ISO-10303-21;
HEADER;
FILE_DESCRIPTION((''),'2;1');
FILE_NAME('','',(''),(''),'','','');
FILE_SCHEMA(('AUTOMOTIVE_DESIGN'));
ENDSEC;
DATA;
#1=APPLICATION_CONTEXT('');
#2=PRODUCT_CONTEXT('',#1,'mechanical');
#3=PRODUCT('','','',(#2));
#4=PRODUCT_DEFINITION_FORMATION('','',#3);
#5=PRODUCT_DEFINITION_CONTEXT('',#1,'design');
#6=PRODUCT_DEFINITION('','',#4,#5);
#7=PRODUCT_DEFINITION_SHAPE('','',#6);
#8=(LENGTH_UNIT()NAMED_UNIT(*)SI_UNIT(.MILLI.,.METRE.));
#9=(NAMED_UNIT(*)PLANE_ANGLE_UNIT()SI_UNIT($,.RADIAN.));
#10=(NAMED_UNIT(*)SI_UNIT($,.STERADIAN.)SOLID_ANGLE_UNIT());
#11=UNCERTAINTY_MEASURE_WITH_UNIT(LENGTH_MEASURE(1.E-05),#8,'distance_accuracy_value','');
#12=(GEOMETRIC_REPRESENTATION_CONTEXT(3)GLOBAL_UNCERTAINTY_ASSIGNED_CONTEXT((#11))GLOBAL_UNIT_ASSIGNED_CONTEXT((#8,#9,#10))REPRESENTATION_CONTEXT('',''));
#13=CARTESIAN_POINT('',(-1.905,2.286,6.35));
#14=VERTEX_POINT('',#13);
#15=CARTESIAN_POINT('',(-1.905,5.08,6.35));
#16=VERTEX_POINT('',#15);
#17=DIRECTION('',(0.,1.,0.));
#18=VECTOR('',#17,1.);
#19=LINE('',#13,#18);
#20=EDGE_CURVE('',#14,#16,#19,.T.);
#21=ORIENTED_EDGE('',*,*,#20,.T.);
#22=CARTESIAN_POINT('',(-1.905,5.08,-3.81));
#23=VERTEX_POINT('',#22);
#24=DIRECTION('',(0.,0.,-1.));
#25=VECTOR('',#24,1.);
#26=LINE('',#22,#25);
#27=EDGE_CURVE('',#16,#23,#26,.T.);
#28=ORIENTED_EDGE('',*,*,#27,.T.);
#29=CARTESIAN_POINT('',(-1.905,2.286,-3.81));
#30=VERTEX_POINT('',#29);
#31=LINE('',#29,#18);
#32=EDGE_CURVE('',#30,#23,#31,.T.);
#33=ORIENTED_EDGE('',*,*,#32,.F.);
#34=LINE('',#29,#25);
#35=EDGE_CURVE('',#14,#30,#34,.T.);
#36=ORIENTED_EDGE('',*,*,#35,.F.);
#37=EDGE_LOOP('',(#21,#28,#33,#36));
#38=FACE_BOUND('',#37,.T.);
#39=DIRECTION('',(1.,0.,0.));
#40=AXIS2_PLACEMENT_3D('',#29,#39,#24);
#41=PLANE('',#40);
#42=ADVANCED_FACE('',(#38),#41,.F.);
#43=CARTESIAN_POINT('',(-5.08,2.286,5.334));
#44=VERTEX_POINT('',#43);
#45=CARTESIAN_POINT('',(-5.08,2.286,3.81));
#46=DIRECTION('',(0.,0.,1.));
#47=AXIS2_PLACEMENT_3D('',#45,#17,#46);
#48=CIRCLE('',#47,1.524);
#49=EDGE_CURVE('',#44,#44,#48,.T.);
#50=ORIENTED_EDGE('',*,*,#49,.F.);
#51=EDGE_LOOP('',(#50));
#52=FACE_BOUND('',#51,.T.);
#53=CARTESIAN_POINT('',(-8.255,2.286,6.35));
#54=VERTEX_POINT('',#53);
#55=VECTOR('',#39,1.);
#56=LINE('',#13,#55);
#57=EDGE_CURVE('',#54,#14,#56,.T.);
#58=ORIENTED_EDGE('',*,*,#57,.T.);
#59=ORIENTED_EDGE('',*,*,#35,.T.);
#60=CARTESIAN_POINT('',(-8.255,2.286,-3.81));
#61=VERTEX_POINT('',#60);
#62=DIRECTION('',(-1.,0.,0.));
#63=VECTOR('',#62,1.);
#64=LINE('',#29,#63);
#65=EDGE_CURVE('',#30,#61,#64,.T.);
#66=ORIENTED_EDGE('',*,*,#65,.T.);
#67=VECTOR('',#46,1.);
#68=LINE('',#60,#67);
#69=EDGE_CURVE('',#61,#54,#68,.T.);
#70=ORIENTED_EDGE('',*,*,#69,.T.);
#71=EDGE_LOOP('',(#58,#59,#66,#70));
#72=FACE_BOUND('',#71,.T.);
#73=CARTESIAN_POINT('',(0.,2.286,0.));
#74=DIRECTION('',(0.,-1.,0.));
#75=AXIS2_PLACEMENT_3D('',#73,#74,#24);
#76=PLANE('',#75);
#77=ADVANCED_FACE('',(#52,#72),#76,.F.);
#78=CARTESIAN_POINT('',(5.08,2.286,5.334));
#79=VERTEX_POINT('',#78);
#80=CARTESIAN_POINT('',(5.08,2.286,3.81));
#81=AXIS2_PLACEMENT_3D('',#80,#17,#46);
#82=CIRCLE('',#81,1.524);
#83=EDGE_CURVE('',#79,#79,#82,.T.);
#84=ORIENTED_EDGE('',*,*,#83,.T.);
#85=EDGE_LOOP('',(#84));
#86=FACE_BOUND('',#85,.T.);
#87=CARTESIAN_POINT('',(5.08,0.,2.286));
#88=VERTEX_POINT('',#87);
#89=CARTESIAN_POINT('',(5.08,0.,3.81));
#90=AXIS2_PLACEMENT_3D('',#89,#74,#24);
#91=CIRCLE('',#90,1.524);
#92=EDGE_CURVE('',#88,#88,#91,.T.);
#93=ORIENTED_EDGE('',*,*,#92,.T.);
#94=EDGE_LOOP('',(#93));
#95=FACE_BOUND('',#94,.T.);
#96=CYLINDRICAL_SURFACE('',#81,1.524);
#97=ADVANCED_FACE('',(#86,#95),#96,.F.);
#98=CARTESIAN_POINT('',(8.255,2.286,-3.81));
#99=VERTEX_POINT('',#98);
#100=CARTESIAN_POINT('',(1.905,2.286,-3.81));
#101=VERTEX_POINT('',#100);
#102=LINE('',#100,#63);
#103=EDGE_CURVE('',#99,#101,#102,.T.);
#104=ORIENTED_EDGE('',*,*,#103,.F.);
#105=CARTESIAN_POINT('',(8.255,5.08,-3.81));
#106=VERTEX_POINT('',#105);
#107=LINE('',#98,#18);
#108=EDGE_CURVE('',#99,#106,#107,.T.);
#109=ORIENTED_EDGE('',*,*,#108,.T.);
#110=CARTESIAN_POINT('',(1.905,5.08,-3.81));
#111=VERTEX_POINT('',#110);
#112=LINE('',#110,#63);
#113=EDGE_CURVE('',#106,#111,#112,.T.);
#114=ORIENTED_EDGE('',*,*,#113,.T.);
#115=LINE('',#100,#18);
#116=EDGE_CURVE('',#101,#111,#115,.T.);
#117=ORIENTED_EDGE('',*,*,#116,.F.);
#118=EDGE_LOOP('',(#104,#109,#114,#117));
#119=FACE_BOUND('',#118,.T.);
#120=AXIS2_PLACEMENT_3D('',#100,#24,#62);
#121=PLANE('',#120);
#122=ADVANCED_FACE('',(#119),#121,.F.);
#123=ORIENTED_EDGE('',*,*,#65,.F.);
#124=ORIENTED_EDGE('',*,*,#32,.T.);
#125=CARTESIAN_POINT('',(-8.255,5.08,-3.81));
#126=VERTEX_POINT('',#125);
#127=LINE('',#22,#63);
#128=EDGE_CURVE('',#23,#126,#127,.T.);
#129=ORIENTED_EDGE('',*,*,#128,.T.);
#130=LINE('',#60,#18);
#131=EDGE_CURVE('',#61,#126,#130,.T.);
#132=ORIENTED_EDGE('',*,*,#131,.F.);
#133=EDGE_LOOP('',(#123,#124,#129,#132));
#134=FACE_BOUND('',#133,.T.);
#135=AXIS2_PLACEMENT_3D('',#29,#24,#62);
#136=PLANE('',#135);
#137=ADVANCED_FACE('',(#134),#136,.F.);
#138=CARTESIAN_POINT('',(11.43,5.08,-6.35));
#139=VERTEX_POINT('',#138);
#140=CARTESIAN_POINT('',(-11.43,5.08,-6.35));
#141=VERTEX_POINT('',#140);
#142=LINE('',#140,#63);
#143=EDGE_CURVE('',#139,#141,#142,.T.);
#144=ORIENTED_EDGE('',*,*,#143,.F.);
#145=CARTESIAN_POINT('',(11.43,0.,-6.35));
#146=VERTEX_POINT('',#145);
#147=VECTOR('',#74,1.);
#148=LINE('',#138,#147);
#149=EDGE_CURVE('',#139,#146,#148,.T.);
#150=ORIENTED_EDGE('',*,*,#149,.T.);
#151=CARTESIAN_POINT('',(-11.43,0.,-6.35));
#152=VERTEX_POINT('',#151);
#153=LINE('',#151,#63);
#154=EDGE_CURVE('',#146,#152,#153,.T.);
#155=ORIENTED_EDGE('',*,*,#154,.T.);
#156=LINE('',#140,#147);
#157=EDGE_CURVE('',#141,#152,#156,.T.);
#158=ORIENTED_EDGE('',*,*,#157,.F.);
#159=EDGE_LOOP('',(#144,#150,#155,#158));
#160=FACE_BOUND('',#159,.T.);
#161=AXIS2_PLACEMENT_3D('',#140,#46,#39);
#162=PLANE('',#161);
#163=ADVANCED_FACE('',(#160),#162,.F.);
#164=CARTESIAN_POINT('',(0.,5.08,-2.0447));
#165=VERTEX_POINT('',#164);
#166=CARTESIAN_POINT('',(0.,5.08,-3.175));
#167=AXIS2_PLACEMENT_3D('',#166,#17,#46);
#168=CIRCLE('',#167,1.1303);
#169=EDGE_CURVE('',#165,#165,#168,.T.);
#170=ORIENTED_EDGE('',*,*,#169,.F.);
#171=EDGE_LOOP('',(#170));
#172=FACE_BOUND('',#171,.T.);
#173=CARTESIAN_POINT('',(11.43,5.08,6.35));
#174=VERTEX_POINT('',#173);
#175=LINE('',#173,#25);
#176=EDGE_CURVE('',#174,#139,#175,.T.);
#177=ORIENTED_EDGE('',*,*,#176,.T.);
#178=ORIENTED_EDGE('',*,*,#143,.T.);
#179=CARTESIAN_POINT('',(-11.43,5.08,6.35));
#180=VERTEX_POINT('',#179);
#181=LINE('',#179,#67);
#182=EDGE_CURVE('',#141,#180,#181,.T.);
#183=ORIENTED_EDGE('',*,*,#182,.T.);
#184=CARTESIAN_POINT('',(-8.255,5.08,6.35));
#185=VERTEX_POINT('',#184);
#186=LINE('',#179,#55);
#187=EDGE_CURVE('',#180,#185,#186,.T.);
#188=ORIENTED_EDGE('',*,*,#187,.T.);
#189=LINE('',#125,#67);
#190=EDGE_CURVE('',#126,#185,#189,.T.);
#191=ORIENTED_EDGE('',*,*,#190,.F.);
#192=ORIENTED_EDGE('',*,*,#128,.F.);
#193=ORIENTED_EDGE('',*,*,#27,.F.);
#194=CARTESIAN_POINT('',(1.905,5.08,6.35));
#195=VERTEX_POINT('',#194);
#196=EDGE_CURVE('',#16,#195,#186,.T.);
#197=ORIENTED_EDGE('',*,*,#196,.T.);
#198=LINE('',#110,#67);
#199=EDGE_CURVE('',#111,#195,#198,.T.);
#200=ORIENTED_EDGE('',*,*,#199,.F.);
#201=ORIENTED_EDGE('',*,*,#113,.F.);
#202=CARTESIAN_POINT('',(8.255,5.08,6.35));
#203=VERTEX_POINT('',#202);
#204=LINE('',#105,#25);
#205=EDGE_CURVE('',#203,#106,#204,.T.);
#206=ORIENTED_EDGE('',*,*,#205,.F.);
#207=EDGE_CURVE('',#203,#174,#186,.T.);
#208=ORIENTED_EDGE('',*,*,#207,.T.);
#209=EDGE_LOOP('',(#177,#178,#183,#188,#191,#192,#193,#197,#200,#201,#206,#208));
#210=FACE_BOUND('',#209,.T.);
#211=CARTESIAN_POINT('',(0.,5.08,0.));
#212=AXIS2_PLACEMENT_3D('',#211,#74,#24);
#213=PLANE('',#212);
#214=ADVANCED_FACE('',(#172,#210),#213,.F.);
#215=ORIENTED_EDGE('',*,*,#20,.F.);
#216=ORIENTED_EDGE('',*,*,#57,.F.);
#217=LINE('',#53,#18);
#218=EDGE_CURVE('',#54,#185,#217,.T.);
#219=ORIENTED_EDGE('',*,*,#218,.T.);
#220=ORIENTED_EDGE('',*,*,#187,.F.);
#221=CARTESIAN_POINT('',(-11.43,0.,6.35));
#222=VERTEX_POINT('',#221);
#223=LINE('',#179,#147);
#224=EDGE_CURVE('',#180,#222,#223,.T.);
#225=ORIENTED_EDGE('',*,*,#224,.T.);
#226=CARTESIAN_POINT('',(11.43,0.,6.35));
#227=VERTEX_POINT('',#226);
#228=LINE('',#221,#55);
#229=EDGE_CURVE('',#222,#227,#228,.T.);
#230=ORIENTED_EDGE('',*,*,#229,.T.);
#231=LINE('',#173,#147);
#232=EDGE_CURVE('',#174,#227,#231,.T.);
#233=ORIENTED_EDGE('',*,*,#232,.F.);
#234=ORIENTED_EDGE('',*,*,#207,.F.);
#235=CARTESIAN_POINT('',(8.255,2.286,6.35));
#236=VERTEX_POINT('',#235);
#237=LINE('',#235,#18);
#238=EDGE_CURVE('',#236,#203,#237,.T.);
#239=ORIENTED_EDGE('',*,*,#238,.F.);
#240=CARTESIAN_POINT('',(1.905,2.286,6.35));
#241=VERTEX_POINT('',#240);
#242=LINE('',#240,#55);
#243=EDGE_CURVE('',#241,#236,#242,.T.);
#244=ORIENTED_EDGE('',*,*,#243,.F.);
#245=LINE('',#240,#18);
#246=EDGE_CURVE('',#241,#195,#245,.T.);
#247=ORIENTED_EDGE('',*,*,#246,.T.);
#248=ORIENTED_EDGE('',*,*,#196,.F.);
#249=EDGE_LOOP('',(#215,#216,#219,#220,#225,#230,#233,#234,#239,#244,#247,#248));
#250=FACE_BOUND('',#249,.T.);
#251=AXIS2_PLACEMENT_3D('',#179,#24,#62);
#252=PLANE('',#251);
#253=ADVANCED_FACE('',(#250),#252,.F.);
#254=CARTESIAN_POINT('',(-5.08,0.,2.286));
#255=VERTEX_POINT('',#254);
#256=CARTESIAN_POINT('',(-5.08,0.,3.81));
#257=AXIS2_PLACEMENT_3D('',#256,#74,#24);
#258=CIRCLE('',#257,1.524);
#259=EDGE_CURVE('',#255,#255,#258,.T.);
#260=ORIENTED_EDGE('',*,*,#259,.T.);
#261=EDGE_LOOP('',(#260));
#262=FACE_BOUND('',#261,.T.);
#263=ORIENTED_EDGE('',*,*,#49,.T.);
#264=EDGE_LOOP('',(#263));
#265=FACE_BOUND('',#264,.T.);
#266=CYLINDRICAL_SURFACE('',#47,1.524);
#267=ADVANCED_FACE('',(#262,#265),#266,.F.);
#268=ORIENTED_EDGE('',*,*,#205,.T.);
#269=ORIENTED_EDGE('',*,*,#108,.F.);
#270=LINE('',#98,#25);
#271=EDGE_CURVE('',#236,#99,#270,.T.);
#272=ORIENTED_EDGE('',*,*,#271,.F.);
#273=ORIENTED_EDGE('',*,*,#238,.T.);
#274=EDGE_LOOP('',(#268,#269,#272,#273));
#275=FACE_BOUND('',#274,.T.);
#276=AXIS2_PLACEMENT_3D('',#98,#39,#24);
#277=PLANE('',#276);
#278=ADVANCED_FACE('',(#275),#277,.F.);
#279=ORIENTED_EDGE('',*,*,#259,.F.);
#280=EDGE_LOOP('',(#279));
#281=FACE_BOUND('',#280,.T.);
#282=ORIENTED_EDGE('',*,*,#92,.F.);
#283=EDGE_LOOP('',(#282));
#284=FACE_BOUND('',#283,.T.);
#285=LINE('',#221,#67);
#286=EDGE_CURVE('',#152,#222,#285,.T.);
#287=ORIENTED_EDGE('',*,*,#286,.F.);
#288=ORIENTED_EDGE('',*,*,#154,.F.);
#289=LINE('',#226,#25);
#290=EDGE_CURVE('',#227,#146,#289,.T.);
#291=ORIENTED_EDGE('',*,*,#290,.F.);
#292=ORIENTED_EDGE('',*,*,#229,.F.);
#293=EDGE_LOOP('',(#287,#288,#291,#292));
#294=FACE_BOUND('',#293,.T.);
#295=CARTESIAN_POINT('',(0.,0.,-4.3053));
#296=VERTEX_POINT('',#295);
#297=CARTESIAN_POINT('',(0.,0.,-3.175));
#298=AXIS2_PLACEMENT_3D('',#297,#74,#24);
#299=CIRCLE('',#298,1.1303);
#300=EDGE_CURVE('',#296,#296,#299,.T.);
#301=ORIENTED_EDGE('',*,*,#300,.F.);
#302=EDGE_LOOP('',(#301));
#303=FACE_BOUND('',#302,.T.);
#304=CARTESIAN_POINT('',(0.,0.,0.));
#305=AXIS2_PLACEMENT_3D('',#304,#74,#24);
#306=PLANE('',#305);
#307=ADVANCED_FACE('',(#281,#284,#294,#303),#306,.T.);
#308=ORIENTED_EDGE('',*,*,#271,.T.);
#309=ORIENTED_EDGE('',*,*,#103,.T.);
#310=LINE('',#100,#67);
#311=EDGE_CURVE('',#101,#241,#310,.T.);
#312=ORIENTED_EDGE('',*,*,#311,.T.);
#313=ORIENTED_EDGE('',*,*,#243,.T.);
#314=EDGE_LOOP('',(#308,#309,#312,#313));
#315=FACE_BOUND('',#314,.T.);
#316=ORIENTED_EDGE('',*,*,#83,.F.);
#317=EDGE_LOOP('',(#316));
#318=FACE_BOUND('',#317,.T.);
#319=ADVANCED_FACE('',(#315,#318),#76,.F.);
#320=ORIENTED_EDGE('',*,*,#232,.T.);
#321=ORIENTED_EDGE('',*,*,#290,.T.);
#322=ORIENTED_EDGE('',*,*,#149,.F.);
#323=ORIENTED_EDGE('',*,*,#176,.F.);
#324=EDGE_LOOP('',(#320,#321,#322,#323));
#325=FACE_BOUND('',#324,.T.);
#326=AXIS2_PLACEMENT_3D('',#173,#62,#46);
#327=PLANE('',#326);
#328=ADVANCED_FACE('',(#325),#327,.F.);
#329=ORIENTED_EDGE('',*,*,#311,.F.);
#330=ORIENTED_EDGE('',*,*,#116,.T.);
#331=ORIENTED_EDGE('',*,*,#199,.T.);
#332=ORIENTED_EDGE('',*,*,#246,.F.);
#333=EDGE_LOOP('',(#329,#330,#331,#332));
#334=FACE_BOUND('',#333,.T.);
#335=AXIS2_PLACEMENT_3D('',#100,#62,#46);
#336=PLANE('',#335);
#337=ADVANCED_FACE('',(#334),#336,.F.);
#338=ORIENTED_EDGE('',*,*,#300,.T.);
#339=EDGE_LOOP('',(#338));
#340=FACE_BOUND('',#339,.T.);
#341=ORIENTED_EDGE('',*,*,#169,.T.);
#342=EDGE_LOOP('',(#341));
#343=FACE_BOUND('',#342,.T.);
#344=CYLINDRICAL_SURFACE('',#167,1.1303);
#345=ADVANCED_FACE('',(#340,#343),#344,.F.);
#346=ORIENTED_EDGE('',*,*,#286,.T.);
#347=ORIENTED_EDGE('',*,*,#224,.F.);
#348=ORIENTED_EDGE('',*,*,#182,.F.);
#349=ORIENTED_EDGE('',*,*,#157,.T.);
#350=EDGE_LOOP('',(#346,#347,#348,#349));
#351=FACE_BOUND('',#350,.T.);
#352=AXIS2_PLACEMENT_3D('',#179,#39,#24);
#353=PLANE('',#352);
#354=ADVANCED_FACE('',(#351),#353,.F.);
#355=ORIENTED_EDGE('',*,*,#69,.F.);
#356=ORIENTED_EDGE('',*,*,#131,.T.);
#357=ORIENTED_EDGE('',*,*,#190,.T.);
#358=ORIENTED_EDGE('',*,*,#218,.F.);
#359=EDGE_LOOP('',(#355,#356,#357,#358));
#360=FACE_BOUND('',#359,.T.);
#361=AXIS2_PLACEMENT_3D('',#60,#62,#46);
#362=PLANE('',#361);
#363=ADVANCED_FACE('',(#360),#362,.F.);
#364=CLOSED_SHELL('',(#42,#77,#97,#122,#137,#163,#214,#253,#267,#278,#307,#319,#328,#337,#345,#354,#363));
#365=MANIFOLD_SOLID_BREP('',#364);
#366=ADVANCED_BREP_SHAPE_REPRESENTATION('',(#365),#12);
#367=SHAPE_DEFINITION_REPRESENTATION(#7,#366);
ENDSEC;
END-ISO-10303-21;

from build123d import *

# Parameters (mm, degrees)
SKETCH1_W                      = 22.86
SKETCH1_H                      = 12.7
BOSS_EXTRUDE1_DEPTH            = 5.08
F_4_40_TAPPED_HOLE1_D          = 2.2606
F_4_40_TAPPED_HOLE1_DEPTH      = 7.5946
F_4_40_TAPPED_HOLE1_TIP        = 0.679152758
SKETCH5_W                      = 6.35
SKETCH5_H                      = 10.16
CUT_EXTRUDE1_DEPTH             = 2.794
F_31_0_12_DIAMETER_HOLE1_D     = 3.048
F_31_0_12_DIAMETER_HOLE1_DEPTH = 7.5946
F_31_0_12_DIAMETER_HOLE1_TIP   = 0.915711583


with BuildPart() as part:
    # Sketch1 → Boss-Extrude1 (new body)
    with BuildSketch(Plane(origin=(0, 0, 0), x_dir=(1, 0, 0), z_dir=(0, 1, 0))):
        Rectangle(SKETCH1_W, SKETCH1_H)
    extrude(amount=BOSS_EXTRUDE1_DEPTH)

    # #4-40 Tapped Hole1
    with Locations(Plane(origin=(0, 5.08, 0), x_dir=(1, 0, 0), z_dir=(0, 1, 0))):
        with Locations((0, 3.175)):
            Hole(F_4_40_TAPPED_HOLE1_D / 2, depth=F_4_40_TAPPED_HOLE1_DEPTH)
            with Locations((0, 0, -(F_4_40_TAPPED_HOLE1_DEPTH + F_4_40_TAPPED_HOLE1_TIP / 2))):  # 118° drill point
                Cone(0, F_4_40_TAPPED_HOLE1_D / 2, F_4_40_TAPPED_HOLE1_TIP, mode=Mode.SUBTRACT)

    # Sketch5 → Cut-Extrude1 (cut)
    with BuildSketch(Plane(origin=(0, 5.08, 0), x_dir=(1, 0, 0), z_dir=(0, 1, 0))):
        with Locations((-5.08, -1.27)):
            Rectangle(SKETCH5_W, SKETCH5_H)
        with Locations((5.08, -1.27)):
            Rectangle(SKETCH5_W, SKETCH5_H)
    extrude(amount=-CUT_EXTRUDE1_DEPTH, mode=Mode.SUBTRACT)

    # #31 (0.12) Diameter Hole1
    with Locations(Plane(origin=(0, 2.286, 0), x_dir=(1, 0, 0), z_dir=(0, 1, 0))):
        with Locations((-5.08, -3.81), (5.08, -3.81)):
            Hole(F_31_0_12_DIAMETER_HOLE1_D / 2, depth=F_31_0_12_DIAMETER_HOLE1_DEPTH)
            with Locations((0, 0, -(F_31_0_12_DIAMETER_HOLE1_DEPTH + F_31_0_12_DIAMETER_HOLE1_TIP / 2))):  # 118° drill point
                Cone(0, F_31_0_12_DIAMETER_HOLE1_D / 2, F_31_0_12_DIAMETER_HOLE1_TIP, mode=Mode.SUBTRACT)


solid = part.part
